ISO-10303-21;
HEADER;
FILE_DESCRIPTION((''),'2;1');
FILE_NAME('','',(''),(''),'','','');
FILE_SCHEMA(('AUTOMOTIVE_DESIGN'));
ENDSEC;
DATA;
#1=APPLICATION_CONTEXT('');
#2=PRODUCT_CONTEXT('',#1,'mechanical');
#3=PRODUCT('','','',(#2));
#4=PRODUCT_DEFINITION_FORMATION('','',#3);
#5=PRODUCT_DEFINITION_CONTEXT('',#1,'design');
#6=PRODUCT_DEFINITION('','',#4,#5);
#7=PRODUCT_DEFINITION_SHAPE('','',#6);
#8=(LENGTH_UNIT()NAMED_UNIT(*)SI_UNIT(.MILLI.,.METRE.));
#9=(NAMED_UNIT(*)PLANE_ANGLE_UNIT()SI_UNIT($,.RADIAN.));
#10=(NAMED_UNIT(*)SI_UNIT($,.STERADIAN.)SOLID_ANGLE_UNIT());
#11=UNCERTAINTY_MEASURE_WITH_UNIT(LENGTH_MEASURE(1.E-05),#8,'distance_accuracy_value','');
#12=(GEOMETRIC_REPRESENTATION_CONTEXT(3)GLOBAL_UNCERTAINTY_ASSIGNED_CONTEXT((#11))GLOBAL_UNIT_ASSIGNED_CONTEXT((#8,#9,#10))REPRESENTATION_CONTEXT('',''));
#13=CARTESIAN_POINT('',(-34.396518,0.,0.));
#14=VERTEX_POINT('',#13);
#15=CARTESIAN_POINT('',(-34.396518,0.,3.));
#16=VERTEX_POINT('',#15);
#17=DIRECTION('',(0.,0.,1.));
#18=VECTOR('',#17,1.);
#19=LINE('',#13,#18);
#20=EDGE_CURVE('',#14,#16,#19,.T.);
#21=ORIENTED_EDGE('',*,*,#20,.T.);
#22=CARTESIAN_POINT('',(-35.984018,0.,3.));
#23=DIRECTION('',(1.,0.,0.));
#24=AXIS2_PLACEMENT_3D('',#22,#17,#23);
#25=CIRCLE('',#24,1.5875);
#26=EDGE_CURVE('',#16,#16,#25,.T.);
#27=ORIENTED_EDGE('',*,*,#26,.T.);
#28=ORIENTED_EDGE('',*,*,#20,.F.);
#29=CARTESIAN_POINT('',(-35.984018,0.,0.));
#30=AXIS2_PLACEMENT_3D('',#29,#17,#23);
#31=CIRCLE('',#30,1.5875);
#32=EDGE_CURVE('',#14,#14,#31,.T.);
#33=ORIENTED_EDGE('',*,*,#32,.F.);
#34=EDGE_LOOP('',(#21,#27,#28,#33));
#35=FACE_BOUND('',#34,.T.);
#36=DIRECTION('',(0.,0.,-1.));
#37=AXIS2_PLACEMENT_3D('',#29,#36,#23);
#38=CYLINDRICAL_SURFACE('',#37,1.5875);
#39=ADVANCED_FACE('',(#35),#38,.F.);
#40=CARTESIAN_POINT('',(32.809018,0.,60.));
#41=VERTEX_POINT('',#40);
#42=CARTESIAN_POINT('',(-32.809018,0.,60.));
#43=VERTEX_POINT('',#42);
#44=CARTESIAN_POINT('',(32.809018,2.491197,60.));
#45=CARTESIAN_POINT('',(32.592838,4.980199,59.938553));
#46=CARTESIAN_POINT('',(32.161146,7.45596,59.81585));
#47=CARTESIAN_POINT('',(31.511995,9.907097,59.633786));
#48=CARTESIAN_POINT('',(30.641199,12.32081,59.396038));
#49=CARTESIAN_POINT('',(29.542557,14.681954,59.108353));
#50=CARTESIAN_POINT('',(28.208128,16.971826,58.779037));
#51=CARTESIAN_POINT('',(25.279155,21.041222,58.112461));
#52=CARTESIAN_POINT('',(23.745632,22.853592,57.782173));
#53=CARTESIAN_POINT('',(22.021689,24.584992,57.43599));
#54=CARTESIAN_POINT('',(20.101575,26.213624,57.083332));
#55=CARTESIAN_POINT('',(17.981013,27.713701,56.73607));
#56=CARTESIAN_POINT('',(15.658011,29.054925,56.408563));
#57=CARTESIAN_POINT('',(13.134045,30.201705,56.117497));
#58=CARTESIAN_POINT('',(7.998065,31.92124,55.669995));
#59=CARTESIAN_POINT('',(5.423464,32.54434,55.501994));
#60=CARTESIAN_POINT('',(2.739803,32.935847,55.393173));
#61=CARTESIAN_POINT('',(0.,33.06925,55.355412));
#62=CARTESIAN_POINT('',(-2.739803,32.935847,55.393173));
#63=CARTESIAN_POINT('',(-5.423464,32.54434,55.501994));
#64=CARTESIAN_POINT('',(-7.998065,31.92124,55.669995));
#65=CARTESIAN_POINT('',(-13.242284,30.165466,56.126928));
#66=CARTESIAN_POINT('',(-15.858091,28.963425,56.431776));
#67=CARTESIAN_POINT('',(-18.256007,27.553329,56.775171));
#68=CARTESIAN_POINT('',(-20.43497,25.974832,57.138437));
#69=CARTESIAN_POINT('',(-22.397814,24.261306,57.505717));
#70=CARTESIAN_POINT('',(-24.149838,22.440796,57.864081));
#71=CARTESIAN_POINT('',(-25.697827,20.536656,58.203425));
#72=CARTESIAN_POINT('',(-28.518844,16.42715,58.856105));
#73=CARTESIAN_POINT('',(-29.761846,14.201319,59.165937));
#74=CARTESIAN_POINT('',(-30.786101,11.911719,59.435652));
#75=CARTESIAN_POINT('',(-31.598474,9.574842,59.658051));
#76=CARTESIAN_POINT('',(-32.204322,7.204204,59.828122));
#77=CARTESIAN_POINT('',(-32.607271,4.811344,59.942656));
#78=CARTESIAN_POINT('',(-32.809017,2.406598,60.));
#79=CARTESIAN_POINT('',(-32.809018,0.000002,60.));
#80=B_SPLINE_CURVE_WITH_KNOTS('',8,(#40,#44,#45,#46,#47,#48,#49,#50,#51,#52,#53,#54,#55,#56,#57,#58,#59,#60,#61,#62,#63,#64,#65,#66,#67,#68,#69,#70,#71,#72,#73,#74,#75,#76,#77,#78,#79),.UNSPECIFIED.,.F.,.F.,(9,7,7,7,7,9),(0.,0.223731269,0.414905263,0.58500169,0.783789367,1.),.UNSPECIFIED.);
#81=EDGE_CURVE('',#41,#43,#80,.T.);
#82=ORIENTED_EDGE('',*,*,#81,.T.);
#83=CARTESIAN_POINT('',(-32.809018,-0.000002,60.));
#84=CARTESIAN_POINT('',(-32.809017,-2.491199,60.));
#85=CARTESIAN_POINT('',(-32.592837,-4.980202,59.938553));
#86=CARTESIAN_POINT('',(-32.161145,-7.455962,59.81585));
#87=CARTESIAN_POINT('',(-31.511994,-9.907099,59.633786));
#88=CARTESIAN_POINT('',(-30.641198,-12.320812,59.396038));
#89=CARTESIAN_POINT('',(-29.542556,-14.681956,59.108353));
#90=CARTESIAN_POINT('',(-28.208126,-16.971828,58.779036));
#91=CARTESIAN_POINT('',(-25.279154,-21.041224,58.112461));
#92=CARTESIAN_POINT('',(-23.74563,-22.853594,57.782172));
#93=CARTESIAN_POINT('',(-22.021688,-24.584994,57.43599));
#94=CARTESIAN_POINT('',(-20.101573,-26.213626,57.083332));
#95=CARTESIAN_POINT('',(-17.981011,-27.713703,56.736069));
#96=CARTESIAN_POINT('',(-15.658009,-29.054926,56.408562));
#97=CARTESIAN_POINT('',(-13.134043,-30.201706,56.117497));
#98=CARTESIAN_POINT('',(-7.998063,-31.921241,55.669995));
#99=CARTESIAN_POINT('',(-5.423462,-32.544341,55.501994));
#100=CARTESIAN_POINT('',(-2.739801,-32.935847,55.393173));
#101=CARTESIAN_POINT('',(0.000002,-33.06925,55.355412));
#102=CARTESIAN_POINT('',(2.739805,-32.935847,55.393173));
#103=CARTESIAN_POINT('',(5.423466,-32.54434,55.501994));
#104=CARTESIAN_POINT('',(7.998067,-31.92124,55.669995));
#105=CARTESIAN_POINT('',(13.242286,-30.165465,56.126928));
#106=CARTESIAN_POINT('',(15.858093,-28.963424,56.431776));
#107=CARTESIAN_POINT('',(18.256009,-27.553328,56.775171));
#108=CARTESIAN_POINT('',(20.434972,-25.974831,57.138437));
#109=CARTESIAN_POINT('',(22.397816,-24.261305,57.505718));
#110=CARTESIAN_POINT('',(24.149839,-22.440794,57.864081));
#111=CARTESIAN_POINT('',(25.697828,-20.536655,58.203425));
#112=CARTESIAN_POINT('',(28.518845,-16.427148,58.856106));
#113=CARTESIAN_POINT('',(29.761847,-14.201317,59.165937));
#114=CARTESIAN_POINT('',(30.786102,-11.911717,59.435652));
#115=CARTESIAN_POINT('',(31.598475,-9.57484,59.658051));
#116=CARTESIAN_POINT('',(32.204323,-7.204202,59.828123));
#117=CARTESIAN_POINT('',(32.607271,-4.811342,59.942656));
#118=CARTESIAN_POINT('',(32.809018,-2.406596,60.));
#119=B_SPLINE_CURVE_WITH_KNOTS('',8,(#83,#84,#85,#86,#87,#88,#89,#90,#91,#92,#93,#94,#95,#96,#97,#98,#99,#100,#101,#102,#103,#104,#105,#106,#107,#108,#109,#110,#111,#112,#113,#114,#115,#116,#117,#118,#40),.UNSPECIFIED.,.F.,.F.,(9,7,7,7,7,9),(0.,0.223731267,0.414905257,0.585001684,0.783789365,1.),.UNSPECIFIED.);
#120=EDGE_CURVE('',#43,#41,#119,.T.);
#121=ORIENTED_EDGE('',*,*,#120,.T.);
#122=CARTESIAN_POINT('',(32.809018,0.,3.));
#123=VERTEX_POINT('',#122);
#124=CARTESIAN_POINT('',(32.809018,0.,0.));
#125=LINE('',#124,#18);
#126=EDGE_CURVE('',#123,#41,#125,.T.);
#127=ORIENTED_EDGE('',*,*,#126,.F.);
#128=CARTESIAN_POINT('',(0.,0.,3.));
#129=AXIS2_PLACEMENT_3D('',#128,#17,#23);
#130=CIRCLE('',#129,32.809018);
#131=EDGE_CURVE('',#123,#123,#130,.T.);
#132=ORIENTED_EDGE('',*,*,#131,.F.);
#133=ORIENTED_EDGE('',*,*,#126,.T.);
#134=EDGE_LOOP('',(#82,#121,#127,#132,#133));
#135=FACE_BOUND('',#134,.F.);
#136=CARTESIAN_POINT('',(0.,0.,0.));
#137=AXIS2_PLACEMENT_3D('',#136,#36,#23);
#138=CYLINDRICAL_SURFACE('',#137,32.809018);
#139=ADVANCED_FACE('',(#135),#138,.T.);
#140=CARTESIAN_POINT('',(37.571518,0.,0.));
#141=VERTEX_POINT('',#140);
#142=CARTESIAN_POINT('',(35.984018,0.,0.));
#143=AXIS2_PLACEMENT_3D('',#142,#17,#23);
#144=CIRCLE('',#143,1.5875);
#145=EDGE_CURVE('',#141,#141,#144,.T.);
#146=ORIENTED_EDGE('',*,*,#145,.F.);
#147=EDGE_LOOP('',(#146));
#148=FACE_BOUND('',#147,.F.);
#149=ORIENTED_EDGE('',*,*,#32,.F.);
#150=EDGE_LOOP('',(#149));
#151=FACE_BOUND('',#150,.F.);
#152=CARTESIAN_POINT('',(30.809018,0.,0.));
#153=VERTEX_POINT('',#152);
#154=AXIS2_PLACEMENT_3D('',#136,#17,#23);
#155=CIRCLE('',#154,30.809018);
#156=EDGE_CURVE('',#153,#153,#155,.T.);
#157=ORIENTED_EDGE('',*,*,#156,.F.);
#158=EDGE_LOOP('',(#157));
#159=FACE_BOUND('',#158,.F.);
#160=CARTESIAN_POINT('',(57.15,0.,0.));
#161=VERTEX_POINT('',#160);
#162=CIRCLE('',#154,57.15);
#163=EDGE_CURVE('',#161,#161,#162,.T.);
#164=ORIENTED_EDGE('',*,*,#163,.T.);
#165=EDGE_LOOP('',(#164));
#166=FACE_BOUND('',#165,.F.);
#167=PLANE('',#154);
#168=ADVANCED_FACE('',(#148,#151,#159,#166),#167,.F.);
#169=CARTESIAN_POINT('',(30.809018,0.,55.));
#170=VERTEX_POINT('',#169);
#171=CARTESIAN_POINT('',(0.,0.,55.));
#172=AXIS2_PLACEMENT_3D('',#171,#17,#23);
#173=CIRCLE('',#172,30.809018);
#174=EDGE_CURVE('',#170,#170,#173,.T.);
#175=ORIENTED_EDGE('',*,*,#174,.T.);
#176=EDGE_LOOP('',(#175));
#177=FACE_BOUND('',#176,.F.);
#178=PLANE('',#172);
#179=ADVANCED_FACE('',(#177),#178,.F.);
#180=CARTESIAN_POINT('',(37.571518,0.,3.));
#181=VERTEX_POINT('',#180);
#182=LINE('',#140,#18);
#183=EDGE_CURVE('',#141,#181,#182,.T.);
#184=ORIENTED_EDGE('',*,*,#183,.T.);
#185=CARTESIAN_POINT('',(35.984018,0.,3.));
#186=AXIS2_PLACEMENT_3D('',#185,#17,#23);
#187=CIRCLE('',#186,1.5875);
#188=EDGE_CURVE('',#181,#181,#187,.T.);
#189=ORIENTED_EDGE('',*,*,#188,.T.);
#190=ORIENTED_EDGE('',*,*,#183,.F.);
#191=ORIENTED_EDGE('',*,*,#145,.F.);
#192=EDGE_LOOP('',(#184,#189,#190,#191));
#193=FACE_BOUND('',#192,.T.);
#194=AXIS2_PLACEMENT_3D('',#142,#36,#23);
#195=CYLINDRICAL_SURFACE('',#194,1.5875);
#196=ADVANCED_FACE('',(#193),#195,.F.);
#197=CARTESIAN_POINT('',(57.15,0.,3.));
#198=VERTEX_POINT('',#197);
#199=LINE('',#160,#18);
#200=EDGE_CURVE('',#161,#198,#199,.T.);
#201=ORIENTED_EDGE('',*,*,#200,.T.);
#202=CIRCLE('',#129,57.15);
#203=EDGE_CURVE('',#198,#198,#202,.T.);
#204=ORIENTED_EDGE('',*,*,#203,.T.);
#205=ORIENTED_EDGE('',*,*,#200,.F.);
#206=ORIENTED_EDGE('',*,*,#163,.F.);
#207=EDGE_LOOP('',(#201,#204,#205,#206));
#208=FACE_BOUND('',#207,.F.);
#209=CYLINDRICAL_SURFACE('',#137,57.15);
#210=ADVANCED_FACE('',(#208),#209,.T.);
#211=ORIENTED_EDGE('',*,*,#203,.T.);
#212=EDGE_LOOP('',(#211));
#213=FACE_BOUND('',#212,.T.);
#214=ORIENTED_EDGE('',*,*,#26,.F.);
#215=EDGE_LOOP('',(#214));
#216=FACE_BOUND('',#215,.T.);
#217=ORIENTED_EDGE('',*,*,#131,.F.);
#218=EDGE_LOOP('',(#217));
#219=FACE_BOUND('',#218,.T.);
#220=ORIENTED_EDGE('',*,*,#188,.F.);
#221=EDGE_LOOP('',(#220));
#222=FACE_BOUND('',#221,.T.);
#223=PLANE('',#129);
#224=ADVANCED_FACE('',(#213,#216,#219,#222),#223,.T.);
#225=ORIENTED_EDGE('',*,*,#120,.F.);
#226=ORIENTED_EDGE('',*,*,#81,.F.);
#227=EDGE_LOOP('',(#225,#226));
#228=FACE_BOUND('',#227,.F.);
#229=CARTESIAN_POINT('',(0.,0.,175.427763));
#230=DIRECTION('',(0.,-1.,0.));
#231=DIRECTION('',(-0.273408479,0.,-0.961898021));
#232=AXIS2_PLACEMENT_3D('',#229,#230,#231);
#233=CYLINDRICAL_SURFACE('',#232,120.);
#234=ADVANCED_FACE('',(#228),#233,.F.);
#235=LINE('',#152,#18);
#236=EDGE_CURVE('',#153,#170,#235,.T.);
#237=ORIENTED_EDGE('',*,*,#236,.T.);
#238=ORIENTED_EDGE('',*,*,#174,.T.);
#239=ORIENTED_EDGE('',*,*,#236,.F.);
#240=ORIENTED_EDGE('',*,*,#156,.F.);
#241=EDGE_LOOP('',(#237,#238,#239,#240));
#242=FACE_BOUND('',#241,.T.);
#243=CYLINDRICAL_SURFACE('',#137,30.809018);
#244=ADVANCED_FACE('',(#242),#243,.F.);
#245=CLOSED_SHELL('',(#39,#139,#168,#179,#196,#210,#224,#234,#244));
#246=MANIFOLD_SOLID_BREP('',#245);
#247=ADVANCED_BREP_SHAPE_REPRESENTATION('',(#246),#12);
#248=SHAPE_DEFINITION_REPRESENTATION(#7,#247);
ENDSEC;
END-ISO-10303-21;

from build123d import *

# Parameters (mm, degrees)
F0_R     = 57.15
F0_R_2   = 1.5875
F0_R_3   = 32.8090175067
F1_DEPTH = 3
F0_R_4   = 30.8090175067
F2_DEPTH = 60
F3_DEPTH = 55
F5_DEPTH = 40.5


with BuildPart() as f1:
    # F0 (on Top) → F1 (new body)
    with BuildSketch(Plane.XY):
        Circle(F0_R)
        with Locations((-35.9840175067, 0)):
            Circle(F0_R_2, mode=Mode.SUBTRACT)
        Circle(F0_R_3, mode=Mode.SUBTRACT)
        with Locations((35.9840175067, 0)):
            Circle(F0_R_2, mode=Mode.SUBTRACT)
    extrude(amount=F1_DEPTH)

    # F0 (on Top) → F2 (join)
    with BuildSketch(Plane.XY):
        Circle(F0_R_3)
        Circle(F0_R_4, mode=Mode.SUBTRACT)
        Circle(F0_R_4)
    extrude(amount=F2_DEPTH)

    # F0 (on Top) → F3 (cut)
    with BuildSketch(Plane.XY):
        Circle(F0_R_4)
    extrude(amount=F3_DEPTH, mode=Mode.SUBTRACT)

    # F4 (on Front) → F5 (cut, symmetric)
    with BuildSketch(Plane.XZ):
        with BuildLine():
            Line((32.8090175067, 60), (-32.8090175067, 60))
            ThreePointArc((-32.8090175067, 60), (0, 55.4277625628), (32.8090175067, 60))
        make_face()
    extrude(amount=F5_DEPTH, both=True, mode=Mode.SUBTRACT)


solid = f1.part
